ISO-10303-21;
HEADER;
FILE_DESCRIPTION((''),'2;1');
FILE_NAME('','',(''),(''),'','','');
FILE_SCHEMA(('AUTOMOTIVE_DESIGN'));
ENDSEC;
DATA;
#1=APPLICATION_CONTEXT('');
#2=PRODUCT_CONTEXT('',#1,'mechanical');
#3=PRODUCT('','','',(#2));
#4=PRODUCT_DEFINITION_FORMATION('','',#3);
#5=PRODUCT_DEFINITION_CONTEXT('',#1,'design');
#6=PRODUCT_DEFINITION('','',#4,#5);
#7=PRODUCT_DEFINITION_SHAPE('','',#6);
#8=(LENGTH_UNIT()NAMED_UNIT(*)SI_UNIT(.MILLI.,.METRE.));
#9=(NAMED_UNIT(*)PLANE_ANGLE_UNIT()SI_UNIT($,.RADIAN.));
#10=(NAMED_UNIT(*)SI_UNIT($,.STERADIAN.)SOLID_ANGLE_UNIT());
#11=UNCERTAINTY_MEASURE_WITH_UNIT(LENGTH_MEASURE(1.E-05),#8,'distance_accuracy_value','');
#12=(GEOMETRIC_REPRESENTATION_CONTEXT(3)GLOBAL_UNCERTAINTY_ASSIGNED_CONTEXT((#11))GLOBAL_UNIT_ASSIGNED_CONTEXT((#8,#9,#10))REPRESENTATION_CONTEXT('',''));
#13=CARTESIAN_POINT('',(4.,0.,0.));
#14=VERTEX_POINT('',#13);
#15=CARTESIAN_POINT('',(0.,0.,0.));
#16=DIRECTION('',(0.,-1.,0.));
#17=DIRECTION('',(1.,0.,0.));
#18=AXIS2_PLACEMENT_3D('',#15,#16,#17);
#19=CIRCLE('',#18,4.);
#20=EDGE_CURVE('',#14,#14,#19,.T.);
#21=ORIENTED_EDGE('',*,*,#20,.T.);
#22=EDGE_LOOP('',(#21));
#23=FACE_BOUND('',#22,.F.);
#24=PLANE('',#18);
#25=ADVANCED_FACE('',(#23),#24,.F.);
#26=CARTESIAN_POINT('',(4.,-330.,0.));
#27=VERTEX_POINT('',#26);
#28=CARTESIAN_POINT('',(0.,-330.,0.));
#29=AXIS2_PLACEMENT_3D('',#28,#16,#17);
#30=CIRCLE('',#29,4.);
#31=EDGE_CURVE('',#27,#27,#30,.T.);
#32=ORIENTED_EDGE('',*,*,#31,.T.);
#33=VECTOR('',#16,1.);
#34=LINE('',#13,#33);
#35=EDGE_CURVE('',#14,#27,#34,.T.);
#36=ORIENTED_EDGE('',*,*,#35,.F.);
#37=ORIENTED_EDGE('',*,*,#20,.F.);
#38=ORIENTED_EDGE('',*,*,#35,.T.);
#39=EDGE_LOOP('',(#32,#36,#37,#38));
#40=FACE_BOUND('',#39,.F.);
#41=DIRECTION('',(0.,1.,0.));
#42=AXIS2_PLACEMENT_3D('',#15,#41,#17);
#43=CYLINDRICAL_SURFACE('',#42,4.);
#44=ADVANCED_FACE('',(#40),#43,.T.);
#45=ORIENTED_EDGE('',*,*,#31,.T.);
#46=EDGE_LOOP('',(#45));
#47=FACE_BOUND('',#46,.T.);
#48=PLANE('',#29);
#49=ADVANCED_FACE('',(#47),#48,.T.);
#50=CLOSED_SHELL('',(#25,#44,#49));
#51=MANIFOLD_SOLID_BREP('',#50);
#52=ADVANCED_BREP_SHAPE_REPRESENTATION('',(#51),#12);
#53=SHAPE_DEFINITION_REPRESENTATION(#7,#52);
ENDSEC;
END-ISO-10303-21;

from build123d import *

# Parameters (mm, degrees)
SKETCH_R  = 4
PAD_DEPTH = 330


with BuildPart() as part:
    # Sketch → Pad (new body)
    with BuildSketch(Plane.XZ):
        Circle(SKETCH_R)
    extrude(amount=PAD_DEPTH)


solid = part.part
